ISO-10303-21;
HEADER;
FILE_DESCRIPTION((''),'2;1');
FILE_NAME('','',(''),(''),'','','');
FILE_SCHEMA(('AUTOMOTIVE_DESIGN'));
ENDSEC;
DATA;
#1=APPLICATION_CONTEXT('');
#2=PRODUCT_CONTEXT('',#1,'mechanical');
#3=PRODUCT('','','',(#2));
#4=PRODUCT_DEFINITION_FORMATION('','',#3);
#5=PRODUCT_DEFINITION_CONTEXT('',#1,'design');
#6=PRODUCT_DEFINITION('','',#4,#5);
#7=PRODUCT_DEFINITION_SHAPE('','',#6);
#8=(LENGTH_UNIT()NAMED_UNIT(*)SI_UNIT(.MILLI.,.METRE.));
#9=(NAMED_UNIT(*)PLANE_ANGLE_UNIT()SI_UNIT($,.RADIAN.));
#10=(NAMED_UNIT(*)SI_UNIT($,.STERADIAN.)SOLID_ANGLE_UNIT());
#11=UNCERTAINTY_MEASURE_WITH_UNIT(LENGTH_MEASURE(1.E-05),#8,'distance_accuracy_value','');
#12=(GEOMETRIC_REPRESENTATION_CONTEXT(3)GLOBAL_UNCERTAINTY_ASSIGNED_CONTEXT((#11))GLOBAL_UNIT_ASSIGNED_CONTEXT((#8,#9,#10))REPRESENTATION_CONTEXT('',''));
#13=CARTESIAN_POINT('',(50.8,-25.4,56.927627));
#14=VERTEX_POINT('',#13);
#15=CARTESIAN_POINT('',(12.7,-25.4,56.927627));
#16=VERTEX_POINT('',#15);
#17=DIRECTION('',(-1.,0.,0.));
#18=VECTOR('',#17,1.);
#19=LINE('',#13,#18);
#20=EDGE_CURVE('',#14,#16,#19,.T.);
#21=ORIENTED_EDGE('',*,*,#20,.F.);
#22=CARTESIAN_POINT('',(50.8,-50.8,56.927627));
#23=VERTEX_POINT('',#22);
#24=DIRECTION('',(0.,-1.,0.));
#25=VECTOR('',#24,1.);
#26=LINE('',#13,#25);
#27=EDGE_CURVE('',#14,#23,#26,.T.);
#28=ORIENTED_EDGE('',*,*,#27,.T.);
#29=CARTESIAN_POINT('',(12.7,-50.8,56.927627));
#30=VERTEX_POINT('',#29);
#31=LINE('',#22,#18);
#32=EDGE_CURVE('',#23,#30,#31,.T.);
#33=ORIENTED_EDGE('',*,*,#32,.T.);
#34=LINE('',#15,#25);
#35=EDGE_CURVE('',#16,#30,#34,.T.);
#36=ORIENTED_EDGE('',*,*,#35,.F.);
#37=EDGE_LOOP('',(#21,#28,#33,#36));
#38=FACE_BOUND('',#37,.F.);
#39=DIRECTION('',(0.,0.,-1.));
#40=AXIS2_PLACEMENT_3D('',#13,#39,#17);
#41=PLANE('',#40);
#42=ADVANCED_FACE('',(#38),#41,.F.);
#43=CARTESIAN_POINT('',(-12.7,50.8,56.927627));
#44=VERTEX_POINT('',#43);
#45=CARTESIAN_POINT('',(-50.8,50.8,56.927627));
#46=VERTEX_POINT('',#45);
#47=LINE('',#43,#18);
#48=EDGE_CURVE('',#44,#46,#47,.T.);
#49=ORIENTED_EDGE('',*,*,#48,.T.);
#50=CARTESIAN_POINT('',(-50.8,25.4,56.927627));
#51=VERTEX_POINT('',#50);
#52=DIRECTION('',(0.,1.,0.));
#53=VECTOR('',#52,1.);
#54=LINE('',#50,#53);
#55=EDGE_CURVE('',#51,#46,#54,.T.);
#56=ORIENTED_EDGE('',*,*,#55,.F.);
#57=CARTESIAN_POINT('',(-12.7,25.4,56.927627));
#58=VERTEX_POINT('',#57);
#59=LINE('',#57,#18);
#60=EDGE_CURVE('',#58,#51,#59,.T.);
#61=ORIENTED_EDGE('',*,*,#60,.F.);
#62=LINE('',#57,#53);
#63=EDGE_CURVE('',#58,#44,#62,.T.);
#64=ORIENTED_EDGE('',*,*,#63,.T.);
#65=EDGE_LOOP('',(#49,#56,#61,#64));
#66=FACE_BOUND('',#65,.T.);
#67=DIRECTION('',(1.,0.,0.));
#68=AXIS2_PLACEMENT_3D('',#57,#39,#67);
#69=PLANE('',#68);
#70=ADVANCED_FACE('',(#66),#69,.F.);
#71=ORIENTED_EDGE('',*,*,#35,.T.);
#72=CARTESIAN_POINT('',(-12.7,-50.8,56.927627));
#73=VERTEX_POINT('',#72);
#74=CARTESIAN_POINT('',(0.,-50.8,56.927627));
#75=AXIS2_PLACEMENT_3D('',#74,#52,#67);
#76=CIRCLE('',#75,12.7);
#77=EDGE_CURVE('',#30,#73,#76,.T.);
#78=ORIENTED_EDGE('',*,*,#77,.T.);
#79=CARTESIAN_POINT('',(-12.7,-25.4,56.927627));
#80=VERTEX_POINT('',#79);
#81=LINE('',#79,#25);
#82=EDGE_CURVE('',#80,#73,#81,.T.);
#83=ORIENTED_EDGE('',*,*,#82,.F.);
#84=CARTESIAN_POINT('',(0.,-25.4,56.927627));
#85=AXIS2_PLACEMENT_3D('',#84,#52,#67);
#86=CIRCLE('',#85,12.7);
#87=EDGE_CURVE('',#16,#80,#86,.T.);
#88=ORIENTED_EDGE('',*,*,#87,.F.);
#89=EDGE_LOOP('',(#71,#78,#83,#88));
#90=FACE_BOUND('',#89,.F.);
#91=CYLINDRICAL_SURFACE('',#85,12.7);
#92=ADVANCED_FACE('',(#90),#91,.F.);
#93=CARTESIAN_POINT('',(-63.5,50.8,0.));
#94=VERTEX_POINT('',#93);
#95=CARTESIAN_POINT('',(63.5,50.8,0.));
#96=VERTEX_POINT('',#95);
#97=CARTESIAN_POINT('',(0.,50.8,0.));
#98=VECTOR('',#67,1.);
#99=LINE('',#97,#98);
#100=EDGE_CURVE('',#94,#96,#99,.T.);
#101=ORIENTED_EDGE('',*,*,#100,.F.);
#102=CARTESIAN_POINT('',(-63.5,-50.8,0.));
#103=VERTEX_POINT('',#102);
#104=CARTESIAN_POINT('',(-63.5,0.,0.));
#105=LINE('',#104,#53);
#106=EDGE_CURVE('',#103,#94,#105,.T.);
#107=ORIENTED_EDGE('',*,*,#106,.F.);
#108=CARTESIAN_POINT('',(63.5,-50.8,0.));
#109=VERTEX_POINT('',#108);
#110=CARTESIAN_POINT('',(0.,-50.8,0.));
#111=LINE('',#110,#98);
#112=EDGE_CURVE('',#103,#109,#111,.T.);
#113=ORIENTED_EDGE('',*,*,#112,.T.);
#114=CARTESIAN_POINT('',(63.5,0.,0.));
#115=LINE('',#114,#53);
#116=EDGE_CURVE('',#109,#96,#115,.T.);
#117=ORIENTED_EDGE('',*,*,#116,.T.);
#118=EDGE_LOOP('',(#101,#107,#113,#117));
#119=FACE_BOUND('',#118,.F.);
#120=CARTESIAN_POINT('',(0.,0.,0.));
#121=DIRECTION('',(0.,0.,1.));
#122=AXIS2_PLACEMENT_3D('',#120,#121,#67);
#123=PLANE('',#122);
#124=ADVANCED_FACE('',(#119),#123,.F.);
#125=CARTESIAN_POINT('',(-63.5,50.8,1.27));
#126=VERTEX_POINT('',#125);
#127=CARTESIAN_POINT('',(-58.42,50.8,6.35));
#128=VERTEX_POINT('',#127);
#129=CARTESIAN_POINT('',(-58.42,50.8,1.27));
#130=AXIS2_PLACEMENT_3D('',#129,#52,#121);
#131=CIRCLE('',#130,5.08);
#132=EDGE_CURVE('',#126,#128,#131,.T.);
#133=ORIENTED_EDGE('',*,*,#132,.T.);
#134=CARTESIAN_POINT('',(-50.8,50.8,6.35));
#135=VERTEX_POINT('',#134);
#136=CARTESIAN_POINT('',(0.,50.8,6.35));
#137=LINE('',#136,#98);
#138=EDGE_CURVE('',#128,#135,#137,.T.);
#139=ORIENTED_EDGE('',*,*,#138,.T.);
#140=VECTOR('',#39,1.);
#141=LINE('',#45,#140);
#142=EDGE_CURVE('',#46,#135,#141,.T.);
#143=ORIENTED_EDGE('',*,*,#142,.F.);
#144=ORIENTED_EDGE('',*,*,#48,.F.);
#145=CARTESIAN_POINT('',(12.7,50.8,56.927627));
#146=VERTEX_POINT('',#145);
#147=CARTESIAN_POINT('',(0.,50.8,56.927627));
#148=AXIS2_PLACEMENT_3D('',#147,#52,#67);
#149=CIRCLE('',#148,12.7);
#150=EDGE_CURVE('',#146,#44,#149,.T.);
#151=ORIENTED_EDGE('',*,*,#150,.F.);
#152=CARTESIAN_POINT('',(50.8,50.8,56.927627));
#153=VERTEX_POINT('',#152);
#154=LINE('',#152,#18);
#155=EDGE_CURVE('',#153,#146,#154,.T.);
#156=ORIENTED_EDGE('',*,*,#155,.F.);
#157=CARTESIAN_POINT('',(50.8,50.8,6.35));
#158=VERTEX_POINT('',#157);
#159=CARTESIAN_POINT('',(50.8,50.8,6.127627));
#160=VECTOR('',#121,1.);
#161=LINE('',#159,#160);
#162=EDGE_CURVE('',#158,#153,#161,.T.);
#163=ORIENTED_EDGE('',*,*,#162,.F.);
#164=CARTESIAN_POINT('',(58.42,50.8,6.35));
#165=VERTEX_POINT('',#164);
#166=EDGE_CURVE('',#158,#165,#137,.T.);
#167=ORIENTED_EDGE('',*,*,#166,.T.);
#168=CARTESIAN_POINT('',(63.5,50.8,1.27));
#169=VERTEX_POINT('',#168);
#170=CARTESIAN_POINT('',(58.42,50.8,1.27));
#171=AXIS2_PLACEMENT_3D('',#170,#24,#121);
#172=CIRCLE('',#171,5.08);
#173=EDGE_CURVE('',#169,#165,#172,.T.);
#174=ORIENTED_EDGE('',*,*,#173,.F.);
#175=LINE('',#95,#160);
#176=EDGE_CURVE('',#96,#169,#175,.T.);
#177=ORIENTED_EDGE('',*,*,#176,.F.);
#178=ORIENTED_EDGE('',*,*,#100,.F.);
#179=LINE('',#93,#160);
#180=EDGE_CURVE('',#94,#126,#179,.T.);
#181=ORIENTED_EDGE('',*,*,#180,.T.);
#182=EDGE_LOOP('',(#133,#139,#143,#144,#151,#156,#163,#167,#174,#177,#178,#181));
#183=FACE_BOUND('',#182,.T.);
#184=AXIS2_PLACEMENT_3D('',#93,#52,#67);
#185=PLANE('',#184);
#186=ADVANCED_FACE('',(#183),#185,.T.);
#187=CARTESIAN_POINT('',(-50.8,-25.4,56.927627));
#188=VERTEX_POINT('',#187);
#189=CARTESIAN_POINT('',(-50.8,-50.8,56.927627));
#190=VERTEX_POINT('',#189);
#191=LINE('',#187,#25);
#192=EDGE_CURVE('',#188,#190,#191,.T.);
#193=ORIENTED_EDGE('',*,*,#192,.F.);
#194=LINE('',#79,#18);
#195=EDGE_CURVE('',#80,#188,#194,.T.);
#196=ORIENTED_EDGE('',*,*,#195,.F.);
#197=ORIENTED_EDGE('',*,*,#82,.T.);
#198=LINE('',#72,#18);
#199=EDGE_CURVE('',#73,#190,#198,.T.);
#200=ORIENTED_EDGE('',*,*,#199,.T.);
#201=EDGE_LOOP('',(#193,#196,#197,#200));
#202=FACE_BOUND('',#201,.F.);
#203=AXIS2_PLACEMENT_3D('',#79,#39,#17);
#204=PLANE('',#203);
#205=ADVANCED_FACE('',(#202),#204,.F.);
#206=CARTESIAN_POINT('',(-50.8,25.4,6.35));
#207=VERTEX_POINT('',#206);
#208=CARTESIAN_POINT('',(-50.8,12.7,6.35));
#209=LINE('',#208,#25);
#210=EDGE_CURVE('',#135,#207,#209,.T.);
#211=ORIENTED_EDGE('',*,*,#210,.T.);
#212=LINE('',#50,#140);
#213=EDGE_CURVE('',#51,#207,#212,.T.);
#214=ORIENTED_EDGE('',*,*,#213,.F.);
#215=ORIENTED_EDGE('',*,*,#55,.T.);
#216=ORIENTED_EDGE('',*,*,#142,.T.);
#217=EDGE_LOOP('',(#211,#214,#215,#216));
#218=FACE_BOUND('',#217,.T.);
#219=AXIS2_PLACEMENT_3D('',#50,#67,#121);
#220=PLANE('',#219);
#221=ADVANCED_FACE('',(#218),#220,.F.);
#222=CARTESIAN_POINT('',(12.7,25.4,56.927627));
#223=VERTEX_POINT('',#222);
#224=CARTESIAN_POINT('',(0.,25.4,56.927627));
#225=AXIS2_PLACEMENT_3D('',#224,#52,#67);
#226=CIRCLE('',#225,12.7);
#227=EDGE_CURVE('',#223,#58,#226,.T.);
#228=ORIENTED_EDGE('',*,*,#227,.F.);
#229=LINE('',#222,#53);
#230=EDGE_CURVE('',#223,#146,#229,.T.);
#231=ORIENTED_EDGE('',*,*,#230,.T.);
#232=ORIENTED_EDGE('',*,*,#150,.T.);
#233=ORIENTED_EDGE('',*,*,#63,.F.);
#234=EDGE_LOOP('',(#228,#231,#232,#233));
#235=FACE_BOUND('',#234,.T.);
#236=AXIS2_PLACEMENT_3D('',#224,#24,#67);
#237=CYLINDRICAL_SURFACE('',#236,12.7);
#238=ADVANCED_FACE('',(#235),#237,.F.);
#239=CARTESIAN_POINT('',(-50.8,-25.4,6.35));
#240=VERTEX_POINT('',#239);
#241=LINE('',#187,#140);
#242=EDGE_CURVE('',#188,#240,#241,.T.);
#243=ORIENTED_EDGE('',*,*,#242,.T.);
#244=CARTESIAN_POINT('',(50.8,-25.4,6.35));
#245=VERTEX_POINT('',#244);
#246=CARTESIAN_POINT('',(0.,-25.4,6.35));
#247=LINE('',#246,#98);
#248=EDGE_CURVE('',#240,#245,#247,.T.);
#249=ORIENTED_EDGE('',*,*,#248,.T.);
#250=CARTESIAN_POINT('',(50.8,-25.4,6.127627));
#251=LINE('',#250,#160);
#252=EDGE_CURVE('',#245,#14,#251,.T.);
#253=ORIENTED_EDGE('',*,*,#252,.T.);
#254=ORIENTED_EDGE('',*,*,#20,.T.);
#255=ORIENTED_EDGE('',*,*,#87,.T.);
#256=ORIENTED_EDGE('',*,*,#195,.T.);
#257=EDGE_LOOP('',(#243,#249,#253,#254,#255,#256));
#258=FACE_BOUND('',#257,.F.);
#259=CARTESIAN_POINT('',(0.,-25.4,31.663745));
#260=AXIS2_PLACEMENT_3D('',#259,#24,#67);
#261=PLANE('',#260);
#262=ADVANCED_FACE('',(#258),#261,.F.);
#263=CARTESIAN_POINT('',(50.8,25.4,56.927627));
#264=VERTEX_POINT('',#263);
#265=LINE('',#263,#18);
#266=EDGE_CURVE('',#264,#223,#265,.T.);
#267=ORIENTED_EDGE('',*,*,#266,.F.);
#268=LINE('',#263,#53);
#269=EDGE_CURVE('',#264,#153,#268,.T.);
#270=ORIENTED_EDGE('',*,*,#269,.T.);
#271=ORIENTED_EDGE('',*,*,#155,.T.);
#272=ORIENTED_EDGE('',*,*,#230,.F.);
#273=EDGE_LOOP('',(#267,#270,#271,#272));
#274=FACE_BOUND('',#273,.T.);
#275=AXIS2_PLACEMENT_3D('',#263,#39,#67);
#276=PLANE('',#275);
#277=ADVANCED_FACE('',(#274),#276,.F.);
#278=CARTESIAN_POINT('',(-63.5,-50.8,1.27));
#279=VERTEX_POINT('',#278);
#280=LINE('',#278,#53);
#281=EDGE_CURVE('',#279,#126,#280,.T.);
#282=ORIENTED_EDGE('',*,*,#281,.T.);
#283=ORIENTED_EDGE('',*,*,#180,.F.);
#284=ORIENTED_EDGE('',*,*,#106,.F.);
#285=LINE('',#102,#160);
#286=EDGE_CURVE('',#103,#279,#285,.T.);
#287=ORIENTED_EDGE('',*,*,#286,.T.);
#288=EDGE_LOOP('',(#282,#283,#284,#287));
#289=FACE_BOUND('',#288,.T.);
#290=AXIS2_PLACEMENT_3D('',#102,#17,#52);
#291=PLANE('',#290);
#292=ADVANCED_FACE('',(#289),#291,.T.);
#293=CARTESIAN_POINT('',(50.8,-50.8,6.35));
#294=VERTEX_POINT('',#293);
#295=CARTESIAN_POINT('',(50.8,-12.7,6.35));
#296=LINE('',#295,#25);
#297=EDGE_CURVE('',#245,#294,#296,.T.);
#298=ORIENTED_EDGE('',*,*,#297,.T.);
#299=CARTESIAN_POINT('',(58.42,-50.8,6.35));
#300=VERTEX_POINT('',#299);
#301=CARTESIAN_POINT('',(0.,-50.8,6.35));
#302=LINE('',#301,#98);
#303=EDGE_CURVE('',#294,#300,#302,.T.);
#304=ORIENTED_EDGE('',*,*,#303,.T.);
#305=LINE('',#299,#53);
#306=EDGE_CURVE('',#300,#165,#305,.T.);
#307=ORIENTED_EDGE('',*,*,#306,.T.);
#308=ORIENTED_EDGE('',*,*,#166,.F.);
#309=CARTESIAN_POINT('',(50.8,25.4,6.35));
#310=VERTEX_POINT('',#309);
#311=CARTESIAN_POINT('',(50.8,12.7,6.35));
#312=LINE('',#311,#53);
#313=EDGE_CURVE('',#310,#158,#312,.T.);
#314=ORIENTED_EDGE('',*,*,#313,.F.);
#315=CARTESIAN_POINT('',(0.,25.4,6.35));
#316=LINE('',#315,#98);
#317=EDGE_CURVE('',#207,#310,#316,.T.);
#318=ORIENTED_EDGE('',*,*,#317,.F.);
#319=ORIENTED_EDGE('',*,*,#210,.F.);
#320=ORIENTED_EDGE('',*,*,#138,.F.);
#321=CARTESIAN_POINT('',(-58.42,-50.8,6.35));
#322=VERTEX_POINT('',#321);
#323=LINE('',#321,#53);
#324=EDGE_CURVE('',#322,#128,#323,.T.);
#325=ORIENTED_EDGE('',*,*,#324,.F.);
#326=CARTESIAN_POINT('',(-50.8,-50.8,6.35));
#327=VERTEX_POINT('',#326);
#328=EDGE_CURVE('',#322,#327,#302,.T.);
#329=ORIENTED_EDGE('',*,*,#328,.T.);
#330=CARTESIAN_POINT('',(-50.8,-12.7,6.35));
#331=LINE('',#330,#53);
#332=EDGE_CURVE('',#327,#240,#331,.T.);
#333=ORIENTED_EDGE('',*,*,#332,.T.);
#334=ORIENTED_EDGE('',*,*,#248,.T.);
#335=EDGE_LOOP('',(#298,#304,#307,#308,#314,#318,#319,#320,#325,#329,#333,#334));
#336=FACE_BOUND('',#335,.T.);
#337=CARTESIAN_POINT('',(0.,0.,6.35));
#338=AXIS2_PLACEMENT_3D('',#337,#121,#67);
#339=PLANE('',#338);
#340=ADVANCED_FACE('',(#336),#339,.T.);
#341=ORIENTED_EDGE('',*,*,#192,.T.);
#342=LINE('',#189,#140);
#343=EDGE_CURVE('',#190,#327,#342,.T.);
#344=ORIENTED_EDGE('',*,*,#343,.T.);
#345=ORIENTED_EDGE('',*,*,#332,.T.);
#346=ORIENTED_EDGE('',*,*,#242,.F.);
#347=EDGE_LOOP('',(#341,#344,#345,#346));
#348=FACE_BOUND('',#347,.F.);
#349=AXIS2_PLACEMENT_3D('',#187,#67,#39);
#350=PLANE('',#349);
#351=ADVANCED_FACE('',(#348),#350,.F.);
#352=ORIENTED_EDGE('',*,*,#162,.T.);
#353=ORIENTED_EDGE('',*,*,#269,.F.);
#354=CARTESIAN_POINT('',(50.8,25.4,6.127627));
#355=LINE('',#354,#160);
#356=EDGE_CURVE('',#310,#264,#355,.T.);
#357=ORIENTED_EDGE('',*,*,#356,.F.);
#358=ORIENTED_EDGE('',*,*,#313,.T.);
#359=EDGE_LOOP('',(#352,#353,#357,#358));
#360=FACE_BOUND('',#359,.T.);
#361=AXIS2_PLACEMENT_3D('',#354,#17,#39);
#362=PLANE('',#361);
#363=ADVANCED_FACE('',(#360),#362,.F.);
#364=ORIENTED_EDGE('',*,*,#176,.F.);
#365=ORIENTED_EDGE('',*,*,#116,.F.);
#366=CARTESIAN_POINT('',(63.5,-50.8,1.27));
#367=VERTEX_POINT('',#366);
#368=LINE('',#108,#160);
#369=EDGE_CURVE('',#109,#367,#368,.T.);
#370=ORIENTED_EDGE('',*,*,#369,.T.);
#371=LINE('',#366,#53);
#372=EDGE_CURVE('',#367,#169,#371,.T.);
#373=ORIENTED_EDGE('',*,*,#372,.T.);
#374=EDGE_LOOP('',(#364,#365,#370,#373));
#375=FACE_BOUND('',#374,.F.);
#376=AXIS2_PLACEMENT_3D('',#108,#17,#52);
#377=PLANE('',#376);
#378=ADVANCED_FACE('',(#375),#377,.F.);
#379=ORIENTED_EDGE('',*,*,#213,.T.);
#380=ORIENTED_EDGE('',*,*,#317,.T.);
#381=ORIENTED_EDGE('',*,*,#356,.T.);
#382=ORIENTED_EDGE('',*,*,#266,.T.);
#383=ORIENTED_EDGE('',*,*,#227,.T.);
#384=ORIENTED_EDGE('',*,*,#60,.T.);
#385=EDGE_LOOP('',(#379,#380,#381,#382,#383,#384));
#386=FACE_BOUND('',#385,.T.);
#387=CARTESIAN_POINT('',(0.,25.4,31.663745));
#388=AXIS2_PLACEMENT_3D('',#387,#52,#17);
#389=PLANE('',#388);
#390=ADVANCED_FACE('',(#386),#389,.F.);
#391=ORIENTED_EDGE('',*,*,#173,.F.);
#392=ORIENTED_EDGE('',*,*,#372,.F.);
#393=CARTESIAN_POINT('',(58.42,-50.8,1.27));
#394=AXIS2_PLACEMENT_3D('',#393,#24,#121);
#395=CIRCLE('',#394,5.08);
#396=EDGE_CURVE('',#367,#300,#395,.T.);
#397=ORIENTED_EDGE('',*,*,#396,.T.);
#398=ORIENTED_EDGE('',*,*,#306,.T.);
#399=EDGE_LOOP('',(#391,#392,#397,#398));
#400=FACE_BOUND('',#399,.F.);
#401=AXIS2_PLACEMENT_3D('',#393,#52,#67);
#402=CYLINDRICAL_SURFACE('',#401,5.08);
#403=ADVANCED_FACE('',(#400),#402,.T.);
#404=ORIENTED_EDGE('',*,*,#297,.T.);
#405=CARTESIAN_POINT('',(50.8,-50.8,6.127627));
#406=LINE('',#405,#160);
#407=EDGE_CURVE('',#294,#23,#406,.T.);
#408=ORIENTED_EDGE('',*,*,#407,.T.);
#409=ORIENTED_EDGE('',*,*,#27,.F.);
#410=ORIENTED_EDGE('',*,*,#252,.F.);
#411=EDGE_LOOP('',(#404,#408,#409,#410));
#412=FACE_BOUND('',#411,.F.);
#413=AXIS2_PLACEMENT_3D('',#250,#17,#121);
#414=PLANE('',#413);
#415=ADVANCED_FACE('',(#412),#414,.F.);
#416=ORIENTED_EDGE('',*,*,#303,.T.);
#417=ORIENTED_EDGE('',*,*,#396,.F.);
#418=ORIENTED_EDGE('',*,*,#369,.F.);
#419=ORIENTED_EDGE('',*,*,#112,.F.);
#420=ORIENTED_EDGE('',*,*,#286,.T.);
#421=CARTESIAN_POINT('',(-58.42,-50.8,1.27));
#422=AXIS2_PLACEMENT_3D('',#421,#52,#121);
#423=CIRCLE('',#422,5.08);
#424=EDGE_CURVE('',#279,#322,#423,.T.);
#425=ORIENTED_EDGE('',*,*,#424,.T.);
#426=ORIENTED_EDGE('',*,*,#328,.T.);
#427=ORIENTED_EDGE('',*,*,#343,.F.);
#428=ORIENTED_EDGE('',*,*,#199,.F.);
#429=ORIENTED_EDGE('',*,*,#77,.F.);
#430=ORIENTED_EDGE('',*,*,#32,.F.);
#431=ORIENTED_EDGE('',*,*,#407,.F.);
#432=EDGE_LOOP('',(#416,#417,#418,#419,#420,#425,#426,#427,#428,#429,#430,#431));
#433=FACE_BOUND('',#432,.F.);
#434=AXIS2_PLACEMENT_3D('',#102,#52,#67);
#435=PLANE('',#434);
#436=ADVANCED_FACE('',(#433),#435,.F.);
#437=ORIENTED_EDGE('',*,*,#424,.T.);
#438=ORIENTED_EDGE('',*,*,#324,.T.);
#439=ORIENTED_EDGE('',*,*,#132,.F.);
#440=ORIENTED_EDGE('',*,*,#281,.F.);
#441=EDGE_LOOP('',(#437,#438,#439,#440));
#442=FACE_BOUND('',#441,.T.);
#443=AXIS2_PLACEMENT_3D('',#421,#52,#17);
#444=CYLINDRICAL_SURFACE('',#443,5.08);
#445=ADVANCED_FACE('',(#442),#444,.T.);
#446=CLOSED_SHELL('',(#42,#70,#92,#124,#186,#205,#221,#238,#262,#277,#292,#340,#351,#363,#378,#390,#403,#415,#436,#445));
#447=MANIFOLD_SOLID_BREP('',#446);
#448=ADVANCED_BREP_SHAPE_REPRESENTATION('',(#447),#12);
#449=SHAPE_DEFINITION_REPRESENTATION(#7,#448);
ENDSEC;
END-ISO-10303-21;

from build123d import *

# Parameters (mm, degrees)
F0_W     = 127
F0_H     = 101.6
F1_DEPTH = 6.35
F4_R     = 5.08
F5_DEPTH = 25.4


with BuildPart() as f1:
    # F0 (on Top) → F1 (new body)
    with BuildSketch(Plane.XY):
        Rectangle(F0_W, F0_H)
    extrude(amount=F1_DEPTH)

    # F4
    f4_edges = [f1.edges().sort_by_distance(p)[0] for p in [
        (63.5, 0, 6.35),
        (-63.5, 0, 6.35),
    ]]
    fillet(f4_edges, radius=F4_R)

    # F3 (on offset) → F5 (join)
    with BuildSketch(Plane.XZ.offset(25.4)):
        with BuildLine():
            Line((-50.8, 6.127627), (50.8, 6.127627))
            Line((50.8, 6.127627), (50.8, 56.927627))
            Line((50.8, 56.927627), (12.7, 56.927627))
            ThreePointArc((12.7, 56.927627), (0, 44.227627), (-12.7, 56.927627))
            Line((-12.7, 56.927627), (-50.8, 56.927627))
            Line((-50.8, 56.927627), (-50.8, 6.127627))
        make_face()
    extrude(amount=F5_DEPTH)

    # F6: F1 across plane


with BuildPart() as f1_1:
    add(f1.part)
    add(f1.part.mirror(Plane.XZ))


solid = f1_1.part
